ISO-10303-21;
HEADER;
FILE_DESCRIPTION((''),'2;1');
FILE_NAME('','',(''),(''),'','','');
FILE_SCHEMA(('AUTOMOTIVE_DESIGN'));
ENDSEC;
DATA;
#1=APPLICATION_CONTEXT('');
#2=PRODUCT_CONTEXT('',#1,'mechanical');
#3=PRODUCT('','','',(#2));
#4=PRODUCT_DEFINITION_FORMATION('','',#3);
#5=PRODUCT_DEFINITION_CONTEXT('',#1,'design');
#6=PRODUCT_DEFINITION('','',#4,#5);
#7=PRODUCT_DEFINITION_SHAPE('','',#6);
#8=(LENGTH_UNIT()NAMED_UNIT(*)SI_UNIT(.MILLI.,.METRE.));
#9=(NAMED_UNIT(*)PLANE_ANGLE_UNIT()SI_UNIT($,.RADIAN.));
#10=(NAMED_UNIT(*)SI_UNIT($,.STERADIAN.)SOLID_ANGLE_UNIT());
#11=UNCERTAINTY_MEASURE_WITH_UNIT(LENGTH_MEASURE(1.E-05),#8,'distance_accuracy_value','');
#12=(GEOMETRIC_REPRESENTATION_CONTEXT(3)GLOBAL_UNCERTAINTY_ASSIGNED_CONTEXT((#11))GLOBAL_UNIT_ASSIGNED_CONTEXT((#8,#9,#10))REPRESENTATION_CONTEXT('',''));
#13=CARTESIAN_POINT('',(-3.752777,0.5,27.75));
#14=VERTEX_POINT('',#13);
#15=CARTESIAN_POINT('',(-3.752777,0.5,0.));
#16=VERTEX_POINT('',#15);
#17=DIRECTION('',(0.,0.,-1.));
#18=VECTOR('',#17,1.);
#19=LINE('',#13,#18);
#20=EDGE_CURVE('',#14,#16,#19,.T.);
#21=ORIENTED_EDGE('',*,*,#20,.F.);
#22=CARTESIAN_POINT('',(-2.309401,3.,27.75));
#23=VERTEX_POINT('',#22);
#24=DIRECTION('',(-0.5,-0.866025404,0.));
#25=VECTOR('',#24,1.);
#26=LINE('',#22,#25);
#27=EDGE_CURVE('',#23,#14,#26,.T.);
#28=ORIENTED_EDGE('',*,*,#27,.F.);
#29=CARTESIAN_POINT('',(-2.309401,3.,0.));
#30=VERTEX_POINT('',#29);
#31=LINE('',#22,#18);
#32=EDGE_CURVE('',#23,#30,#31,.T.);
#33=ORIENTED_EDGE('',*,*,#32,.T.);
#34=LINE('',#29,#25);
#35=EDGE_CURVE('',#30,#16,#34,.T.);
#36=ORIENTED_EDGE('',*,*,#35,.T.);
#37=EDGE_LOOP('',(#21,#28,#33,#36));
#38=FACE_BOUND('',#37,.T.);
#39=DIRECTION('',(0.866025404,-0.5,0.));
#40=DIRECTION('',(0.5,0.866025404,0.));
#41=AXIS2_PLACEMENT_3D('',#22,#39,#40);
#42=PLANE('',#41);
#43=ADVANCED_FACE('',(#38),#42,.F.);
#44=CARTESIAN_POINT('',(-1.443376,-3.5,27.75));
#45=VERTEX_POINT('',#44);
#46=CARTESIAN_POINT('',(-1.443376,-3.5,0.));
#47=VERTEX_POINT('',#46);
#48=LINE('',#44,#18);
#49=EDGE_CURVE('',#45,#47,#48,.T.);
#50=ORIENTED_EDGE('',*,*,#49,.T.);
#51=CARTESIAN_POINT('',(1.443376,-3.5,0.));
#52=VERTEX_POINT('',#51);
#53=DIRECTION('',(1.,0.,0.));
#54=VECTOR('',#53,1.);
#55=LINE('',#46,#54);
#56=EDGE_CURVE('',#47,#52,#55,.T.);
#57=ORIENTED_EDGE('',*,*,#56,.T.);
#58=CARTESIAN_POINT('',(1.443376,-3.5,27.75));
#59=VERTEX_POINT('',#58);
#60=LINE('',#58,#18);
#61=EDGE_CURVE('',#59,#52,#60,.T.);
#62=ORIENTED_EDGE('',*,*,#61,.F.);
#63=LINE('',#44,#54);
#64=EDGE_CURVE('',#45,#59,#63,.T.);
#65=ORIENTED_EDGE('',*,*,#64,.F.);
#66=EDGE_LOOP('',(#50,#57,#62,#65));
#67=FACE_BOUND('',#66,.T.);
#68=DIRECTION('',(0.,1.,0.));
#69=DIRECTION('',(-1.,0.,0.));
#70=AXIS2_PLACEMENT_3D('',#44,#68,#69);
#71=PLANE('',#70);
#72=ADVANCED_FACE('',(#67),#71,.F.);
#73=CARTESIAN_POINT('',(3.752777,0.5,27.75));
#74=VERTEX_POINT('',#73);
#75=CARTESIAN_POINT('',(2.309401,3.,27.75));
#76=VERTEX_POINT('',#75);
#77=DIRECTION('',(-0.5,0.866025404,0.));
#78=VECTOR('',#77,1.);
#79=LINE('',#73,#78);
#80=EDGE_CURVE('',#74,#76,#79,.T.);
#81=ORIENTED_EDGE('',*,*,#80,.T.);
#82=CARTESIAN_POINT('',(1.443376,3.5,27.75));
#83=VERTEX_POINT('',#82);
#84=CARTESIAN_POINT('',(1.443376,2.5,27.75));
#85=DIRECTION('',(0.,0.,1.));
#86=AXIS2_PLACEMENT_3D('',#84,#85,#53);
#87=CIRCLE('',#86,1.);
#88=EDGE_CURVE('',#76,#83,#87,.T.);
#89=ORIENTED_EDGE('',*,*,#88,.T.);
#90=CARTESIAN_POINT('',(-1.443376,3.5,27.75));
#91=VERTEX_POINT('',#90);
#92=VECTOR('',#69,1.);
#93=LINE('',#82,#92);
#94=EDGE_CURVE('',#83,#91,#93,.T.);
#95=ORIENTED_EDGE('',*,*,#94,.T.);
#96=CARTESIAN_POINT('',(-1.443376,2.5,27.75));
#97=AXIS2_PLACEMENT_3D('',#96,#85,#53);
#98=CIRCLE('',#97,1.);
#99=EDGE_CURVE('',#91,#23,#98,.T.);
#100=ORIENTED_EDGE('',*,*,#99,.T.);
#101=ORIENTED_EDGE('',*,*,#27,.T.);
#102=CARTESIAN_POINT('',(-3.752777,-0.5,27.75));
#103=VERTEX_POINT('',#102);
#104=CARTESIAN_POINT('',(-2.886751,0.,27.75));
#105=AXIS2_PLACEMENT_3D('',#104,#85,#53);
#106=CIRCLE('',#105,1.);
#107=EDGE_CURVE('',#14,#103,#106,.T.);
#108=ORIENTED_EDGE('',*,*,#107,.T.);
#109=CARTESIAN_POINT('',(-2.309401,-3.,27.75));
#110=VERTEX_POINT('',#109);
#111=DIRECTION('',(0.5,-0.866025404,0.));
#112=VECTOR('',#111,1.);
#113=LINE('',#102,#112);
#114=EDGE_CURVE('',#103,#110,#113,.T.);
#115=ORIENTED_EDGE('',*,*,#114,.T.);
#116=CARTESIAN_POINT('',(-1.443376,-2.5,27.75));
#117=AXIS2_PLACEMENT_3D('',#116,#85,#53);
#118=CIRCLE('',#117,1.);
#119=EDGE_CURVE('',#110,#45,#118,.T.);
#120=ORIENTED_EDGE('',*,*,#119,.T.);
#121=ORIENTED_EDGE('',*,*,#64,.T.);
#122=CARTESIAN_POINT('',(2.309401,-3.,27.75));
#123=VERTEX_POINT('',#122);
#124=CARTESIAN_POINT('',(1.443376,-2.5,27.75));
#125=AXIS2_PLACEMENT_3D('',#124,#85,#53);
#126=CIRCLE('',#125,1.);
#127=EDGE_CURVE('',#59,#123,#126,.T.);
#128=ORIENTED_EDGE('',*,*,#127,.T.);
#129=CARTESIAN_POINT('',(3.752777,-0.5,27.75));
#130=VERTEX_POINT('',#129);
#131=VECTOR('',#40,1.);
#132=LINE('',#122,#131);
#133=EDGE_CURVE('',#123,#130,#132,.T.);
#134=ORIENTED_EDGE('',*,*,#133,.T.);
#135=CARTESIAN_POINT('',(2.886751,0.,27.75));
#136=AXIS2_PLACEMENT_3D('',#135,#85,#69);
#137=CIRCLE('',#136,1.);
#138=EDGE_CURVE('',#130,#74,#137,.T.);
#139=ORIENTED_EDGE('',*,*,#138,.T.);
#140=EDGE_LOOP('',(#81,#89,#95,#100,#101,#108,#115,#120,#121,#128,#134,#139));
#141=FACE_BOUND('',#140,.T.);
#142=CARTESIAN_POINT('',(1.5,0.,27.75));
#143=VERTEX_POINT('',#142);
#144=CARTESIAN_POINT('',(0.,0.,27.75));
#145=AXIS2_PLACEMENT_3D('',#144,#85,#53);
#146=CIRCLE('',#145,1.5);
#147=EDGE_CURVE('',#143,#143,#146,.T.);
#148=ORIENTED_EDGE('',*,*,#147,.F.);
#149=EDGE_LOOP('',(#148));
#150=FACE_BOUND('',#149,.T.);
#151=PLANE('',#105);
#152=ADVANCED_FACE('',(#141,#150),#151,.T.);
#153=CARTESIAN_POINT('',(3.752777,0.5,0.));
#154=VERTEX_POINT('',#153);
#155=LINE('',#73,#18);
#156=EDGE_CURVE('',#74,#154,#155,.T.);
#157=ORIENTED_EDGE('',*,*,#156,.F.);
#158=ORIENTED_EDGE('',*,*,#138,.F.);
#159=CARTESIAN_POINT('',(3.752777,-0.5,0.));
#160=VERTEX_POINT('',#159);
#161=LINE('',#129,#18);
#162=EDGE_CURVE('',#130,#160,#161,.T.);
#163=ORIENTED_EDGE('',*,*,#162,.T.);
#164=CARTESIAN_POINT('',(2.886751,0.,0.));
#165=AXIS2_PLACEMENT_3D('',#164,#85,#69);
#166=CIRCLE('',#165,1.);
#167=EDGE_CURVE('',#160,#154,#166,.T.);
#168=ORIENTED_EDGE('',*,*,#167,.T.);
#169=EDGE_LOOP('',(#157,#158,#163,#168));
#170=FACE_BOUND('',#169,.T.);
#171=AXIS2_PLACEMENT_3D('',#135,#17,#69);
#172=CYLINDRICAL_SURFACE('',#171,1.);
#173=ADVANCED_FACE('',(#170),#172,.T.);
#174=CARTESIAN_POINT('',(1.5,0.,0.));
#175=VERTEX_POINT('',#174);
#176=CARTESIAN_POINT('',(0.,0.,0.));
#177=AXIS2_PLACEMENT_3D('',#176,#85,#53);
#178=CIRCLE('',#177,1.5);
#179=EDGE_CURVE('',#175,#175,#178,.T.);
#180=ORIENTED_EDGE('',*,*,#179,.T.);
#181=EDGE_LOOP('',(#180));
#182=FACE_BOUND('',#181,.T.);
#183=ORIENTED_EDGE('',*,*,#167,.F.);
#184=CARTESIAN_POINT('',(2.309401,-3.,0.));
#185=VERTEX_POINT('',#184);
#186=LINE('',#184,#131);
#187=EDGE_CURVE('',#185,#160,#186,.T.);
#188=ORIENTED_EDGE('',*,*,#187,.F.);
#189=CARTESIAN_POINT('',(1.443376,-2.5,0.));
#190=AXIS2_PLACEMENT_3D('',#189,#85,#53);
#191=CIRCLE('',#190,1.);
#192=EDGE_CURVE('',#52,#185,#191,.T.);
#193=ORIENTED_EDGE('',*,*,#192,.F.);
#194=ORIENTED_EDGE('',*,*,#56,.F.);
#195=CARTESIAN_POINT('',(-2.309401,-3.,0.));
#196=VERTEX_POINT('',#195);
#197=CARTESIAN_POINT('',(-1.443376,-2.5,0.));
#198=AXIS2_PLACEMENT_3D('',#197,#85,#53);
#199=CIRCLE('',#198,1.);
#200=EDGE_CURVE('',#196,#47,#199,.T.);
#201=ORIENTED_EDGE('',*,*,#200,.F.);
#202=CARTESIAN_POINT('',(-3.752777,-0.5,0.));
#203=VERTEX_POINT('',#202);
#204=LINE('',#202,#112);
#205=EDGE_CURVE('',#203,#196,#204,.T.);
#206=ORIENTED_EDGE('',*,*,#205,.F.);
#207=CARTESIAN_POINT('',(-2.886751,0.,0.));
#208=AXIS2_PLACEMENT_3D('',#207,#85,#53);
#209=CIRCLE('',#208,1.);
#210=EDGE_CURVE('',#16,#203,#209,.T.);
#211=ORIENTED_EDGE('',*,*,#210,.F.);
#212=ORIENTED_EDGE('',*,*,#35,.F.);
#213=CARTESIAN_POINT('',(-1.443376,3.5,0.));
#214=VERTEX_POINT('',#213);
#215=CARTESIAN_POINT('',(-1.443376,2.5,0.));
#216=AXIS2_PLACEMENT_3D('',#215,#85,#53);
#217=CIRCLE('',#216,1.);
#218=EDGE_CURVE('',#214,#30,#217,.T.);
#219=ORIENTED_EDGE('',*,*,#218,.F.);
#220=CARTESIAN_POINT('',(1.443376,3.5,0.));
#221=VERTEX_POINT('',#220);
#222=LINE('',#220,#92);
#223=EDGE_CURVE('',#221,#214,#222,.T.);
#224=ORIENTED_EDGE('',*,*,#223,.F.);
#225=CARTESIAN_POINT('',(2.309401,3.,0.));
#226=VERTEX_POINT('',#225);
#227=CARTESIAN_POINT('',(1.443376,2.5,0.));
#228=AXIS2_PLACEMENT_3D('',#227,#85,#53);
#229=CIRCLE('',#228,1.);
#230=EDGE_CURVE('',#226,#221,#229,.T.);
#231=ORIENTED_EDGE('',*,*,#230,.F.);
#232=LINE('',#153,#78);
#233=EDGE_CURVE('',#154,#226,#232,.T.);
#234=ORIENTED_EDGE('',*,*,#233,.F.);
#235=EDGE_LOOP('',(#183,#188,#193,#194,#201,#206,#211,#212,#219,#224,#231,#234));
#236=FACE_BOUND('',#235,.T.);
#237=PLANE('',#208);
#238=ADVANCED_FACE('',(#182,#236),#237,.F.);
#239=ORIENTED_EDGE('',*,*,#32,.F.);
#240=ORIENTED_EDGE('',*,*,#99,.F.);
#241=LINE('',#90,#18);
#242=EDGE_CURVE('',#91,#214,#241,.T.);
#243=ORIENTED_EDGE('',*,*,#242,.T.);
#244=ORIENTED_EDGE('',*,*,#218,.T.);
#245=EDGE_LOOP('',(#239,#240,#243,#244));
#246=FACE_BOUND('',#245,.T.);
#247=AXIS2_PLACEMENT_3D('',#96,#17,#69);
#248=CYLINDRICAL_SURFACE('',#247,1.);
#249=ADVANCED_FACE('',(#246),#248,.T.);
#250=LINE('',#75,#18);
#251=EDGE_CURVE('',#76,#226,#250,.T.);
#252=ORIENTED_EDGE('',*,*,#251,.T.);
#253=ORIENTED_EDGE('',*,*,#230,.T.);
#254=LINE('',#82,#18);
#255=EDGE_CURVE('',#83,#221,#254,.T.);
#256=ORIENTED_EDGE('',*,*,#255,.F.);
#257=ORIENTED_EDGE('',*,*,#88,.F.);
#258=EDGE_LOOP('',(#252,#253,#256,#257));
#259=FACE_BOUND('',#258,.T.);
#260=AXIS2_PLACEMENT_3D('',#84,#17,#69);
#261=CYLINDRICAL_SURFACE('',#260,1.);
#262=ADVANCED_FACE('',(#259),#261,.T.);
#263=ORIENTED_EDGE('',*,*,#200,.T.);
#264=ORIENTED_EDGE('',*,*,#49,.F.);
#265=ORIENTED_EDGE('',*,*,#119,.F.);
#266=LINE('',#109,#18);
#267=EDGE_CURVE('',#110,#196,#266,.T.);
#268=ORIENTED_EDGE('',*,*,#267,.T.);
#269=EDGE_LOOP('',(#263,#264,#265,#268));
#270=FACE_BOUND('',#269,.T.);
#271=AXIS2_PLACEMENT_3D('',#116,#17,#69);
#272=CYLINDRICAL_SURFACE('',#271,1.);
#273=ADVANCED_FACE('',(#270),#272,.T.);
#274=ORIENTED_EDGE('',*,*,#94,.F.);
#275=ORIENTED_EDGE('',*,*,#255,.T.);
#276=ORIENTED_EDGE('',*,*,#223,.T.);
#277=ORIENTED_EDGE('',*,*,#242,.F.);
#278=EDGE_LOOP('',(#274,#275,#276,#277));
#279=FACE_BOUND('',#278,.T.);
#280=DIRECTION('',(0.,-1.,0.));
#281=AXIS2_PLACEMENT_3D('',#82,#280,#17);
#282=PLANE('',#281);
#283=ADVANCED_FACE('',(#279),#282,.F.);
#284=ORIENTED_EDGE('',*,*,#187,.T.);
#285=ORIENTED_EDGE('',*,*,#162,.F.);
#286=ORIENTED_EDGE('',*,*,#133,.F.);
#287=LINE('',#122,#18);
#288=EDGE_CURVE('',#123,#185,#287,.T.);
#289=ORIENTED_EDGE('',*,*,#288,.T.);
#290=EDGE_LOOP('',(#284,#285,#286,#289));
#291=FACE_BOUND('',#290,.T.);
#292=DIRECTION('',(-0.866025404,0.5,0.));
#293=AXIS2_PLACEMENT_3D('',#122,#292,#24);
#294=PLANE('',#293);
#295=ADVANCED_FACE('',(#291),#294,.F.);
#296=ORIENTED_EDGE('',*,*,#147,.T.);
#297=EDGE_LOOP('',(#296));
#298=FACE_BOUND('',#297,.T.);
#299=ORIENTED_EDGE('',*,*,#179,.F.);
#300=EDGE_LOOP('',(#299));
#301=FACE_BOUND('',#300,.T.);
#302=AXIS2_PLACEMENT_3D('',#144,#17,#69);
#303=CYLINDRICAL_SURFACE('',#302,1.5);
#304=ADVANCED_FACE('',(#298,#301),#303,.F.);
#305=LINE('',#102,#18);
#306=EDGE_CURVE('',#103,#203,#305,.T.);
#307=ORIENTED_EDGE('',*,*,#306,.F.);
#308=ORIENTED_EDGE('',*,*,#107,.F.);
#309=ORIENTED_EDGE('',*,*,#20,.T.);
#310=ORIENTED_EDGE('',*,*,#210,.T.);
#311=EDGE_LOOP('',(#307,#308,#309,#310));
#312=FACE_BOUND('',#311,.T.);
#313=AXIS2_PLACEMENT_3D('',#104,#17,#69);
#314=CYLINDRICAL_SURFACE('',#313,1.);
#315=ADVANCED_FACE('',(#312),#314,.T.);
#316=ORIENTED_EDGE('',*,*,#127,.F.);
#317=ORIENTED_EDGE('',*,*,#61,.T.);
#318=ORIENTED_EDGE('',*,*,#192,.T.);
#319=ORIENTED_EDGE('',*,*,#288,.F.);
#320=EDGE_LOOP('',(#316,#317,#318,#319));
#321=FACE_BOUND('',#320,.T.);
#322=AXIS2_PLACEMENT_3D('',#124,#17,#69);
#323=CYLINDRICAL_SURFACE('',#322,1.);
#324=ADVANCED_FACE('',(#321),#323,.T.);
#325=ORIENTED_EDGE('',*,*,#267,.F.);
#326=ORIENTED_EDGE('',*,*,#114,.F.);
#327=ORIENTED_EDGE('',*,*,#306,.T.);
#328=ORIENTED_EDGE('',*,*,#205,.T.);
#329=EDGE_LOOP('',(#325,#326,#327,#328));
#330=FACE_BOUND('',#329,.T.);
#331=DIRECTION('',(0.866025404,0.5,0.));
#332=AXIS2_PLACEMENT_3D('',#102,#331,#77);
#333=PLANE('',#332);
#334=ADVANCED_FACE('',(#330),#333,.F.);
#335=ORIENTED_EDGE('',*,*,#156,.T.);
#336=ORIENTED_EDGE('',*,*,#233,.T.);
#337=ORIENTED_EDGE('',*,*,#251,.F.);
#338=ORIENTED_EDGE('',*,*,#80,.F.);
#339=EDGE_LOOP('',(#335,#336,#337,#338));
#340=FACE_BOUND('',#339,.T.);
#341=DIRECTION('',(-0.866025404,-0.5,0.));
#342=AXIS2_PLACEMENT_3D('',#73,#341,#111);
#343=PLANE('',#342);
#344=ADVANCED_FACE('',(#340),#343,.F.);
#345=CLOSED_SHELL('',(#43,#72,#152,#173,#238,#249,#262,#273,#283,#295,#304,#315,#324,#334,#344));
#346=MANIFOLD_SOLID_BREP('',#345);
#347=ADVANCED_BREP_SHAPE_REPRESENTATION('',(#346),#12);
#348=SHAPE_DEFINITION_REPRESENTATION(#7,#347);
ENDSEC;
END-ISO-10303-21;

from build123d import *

# Parameters (mm, degrees)
SKETCH_1_R      = 1.5
EXTRUDE_1_DEPTH = 27.75


with BuildPart() as part:
    # Эскиз1 → Бобышка-Вытянуть1 (new body)
    with BuildSketch(Plane.XY):
        with BuildLine():
            Line((3.75277675, 0.5), (2.309401077, 3))
            ThreePointArc((2.309401077, 3), (1.943375673, 3.366025404), (1.443375673, 3.5))
            Line((1.443375673, 3.5), (-1.443375673, 3.5))
            ThreePointArc((-1.443375673, 3.5), (-1.943375673, 3.366025404), (-2.309401077, 3))
            Line((-2.309401077, 3), (-3.75277675, 0.5))
            ThreePointArc((-3.75277675, 0.5), (-3.886751346, 0), (-3.75277675, -0.5))
            Line((-3.75277675, -0.5), (-2.309401077, -3))
            ThreePointArc((-2.309401077, -3), (-1.943375673, -3.366025404), (-1.443375673, -3.5))
            Line((-1.443375673, -3.5), (1.443375673, -3.5))
            ThreePointArc((1.443375673, -3.5), (1.943375673, -3.366025404), (2.309401077, -3))
            Line((2.309401077, -3), (3.75277675, -0.5))
            ThreePointArc((3.75277675, -0.5), (3.886751346, 0), (3.75277675, 0.5))
        make_face()
        Circle(SKETCH_1_R, mode=Mode.SUBTRACT)
    extrude(amount=EXTRUDE_1_DEPTH)


solid = part.part
